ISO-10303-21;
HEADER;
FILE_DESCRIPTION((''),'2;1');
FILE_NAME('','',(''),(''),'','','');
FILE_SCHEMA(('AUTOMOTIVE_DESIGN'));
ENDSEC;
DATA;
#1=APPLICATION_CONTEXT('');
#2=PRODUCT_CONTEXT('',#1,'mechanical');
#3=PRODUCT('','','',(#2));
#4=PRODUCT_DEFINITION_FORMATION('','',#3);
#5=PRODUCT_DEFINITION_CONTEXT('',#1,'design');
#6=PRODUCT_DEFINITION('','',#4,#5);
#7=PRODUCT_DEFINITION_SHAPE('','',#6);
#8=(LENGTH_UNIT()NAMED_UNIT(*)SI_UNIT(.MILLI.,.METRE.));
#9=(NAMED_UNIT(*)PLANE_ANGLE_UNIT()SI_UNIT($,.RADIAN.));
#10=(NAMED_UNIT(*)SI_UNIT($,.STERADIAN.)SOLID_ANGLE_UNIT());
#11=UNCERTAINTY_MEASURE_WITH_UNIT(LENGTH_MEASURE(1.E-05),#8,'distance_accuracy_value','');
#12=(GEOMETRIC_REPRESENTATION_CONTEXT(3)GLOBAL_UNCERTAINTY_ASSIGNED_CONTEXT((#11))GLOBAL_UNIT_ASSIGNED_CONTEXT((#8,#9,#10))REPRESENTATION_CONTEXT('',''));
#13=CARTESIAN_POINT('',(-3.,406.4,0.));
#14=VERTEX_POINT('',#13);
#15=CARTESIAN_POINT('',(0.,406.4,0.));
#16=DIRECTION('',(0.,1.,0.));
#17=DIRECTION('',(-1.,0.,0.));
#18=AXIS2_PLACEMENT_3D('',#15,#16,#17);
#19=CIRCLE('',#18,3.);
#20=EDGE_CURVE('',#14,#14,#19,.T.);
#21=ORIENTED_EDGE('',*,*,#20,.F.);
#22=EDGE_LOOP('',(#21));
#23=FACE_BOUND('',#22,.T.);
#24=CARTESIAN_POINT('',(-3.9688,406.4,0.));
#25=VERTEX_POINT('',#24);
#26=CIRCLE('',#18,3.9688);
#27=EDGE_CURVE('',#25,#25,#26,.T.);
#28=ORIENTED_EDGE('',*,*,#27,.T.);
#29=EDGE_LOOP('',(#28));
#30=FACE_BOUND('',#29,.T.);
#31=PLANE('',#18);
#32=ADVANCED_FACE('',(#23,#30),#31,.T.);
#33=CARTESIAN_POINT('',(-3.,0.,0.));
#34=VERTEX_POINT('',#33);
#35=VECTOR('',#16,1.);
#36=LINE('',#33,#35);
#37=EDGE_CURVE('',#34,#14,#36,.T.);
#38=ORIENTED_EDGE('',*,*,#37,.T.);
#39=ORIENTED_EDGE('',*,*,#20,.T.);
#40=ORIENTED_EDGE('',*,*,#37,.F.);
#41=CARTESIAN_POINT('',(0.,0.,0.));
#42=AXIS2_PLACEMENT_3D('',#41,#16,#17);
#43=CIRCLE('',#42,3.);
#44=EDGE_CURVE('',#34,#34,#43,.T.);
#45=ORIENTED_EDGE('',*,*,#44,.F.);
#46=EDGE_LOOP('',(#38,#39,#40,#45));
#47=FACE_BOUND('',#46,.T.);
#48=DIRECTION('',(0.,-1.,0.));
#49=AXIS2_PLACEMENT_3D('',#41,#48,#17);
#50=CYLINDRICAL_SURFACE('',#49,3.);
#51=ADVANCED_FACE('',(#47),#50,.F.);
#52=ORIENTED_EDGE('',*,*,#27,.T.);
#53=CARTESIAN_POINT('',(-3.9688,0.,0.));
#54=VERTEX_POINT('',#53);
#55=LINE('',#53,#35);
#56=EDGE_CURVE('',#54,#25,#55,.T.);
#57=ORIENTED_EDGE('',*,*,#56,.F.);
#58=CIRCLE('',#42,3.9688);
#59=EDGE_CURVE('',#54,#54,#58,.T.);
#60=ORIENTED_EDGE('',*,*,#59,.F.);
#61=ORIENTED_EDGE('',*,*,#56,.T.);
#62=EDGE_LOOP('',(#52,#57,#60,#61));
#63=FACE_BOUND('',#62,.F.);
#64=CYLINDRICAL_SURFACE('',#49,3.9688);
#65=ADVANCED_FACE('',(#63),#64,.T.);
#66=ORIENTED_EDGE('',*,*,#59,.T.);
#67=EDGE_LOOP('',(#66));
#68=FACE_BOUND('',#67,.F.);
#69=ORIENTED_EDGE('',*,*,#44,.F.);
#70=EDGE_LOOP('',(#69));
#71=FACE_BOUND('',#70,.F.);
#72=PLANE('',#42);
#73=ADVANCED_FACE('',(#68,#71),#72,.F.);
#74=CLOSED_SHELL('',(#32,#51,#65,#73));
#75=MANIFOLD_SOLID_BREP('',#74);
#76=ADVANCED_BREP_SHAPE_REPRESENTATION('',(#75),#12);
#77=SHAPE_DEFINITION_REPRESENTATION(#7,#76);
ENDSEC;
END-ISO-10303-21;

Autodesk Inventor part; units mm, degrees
ref_plane "YZ Plane" through (0, 0, 0) normal (1, 0, 0) x (0, 1, 0)
ref_plane "XZ Plane" through (0, 0, 0) normal (0, 1, 0) x (-1, 0, 0)
ref_plane "XY Plane" through (0, 0, 0) normal (0, 0, 1) x (1, 0, 0)
sketch "Sketch1" plane through (0, 0, 0) normal (0, 1, 0) x (-1, 0, 0)
  circle A0 centre (0, 0) radius 3.9688
  circle A1 centre (0, 0) radius 3
  dimension "d0" = 7.9375
  dimension "d1" = 6
extrude "Extrusion1" add sketch "Sketch1" along normal blind 406.4
properties part number "brake line"
